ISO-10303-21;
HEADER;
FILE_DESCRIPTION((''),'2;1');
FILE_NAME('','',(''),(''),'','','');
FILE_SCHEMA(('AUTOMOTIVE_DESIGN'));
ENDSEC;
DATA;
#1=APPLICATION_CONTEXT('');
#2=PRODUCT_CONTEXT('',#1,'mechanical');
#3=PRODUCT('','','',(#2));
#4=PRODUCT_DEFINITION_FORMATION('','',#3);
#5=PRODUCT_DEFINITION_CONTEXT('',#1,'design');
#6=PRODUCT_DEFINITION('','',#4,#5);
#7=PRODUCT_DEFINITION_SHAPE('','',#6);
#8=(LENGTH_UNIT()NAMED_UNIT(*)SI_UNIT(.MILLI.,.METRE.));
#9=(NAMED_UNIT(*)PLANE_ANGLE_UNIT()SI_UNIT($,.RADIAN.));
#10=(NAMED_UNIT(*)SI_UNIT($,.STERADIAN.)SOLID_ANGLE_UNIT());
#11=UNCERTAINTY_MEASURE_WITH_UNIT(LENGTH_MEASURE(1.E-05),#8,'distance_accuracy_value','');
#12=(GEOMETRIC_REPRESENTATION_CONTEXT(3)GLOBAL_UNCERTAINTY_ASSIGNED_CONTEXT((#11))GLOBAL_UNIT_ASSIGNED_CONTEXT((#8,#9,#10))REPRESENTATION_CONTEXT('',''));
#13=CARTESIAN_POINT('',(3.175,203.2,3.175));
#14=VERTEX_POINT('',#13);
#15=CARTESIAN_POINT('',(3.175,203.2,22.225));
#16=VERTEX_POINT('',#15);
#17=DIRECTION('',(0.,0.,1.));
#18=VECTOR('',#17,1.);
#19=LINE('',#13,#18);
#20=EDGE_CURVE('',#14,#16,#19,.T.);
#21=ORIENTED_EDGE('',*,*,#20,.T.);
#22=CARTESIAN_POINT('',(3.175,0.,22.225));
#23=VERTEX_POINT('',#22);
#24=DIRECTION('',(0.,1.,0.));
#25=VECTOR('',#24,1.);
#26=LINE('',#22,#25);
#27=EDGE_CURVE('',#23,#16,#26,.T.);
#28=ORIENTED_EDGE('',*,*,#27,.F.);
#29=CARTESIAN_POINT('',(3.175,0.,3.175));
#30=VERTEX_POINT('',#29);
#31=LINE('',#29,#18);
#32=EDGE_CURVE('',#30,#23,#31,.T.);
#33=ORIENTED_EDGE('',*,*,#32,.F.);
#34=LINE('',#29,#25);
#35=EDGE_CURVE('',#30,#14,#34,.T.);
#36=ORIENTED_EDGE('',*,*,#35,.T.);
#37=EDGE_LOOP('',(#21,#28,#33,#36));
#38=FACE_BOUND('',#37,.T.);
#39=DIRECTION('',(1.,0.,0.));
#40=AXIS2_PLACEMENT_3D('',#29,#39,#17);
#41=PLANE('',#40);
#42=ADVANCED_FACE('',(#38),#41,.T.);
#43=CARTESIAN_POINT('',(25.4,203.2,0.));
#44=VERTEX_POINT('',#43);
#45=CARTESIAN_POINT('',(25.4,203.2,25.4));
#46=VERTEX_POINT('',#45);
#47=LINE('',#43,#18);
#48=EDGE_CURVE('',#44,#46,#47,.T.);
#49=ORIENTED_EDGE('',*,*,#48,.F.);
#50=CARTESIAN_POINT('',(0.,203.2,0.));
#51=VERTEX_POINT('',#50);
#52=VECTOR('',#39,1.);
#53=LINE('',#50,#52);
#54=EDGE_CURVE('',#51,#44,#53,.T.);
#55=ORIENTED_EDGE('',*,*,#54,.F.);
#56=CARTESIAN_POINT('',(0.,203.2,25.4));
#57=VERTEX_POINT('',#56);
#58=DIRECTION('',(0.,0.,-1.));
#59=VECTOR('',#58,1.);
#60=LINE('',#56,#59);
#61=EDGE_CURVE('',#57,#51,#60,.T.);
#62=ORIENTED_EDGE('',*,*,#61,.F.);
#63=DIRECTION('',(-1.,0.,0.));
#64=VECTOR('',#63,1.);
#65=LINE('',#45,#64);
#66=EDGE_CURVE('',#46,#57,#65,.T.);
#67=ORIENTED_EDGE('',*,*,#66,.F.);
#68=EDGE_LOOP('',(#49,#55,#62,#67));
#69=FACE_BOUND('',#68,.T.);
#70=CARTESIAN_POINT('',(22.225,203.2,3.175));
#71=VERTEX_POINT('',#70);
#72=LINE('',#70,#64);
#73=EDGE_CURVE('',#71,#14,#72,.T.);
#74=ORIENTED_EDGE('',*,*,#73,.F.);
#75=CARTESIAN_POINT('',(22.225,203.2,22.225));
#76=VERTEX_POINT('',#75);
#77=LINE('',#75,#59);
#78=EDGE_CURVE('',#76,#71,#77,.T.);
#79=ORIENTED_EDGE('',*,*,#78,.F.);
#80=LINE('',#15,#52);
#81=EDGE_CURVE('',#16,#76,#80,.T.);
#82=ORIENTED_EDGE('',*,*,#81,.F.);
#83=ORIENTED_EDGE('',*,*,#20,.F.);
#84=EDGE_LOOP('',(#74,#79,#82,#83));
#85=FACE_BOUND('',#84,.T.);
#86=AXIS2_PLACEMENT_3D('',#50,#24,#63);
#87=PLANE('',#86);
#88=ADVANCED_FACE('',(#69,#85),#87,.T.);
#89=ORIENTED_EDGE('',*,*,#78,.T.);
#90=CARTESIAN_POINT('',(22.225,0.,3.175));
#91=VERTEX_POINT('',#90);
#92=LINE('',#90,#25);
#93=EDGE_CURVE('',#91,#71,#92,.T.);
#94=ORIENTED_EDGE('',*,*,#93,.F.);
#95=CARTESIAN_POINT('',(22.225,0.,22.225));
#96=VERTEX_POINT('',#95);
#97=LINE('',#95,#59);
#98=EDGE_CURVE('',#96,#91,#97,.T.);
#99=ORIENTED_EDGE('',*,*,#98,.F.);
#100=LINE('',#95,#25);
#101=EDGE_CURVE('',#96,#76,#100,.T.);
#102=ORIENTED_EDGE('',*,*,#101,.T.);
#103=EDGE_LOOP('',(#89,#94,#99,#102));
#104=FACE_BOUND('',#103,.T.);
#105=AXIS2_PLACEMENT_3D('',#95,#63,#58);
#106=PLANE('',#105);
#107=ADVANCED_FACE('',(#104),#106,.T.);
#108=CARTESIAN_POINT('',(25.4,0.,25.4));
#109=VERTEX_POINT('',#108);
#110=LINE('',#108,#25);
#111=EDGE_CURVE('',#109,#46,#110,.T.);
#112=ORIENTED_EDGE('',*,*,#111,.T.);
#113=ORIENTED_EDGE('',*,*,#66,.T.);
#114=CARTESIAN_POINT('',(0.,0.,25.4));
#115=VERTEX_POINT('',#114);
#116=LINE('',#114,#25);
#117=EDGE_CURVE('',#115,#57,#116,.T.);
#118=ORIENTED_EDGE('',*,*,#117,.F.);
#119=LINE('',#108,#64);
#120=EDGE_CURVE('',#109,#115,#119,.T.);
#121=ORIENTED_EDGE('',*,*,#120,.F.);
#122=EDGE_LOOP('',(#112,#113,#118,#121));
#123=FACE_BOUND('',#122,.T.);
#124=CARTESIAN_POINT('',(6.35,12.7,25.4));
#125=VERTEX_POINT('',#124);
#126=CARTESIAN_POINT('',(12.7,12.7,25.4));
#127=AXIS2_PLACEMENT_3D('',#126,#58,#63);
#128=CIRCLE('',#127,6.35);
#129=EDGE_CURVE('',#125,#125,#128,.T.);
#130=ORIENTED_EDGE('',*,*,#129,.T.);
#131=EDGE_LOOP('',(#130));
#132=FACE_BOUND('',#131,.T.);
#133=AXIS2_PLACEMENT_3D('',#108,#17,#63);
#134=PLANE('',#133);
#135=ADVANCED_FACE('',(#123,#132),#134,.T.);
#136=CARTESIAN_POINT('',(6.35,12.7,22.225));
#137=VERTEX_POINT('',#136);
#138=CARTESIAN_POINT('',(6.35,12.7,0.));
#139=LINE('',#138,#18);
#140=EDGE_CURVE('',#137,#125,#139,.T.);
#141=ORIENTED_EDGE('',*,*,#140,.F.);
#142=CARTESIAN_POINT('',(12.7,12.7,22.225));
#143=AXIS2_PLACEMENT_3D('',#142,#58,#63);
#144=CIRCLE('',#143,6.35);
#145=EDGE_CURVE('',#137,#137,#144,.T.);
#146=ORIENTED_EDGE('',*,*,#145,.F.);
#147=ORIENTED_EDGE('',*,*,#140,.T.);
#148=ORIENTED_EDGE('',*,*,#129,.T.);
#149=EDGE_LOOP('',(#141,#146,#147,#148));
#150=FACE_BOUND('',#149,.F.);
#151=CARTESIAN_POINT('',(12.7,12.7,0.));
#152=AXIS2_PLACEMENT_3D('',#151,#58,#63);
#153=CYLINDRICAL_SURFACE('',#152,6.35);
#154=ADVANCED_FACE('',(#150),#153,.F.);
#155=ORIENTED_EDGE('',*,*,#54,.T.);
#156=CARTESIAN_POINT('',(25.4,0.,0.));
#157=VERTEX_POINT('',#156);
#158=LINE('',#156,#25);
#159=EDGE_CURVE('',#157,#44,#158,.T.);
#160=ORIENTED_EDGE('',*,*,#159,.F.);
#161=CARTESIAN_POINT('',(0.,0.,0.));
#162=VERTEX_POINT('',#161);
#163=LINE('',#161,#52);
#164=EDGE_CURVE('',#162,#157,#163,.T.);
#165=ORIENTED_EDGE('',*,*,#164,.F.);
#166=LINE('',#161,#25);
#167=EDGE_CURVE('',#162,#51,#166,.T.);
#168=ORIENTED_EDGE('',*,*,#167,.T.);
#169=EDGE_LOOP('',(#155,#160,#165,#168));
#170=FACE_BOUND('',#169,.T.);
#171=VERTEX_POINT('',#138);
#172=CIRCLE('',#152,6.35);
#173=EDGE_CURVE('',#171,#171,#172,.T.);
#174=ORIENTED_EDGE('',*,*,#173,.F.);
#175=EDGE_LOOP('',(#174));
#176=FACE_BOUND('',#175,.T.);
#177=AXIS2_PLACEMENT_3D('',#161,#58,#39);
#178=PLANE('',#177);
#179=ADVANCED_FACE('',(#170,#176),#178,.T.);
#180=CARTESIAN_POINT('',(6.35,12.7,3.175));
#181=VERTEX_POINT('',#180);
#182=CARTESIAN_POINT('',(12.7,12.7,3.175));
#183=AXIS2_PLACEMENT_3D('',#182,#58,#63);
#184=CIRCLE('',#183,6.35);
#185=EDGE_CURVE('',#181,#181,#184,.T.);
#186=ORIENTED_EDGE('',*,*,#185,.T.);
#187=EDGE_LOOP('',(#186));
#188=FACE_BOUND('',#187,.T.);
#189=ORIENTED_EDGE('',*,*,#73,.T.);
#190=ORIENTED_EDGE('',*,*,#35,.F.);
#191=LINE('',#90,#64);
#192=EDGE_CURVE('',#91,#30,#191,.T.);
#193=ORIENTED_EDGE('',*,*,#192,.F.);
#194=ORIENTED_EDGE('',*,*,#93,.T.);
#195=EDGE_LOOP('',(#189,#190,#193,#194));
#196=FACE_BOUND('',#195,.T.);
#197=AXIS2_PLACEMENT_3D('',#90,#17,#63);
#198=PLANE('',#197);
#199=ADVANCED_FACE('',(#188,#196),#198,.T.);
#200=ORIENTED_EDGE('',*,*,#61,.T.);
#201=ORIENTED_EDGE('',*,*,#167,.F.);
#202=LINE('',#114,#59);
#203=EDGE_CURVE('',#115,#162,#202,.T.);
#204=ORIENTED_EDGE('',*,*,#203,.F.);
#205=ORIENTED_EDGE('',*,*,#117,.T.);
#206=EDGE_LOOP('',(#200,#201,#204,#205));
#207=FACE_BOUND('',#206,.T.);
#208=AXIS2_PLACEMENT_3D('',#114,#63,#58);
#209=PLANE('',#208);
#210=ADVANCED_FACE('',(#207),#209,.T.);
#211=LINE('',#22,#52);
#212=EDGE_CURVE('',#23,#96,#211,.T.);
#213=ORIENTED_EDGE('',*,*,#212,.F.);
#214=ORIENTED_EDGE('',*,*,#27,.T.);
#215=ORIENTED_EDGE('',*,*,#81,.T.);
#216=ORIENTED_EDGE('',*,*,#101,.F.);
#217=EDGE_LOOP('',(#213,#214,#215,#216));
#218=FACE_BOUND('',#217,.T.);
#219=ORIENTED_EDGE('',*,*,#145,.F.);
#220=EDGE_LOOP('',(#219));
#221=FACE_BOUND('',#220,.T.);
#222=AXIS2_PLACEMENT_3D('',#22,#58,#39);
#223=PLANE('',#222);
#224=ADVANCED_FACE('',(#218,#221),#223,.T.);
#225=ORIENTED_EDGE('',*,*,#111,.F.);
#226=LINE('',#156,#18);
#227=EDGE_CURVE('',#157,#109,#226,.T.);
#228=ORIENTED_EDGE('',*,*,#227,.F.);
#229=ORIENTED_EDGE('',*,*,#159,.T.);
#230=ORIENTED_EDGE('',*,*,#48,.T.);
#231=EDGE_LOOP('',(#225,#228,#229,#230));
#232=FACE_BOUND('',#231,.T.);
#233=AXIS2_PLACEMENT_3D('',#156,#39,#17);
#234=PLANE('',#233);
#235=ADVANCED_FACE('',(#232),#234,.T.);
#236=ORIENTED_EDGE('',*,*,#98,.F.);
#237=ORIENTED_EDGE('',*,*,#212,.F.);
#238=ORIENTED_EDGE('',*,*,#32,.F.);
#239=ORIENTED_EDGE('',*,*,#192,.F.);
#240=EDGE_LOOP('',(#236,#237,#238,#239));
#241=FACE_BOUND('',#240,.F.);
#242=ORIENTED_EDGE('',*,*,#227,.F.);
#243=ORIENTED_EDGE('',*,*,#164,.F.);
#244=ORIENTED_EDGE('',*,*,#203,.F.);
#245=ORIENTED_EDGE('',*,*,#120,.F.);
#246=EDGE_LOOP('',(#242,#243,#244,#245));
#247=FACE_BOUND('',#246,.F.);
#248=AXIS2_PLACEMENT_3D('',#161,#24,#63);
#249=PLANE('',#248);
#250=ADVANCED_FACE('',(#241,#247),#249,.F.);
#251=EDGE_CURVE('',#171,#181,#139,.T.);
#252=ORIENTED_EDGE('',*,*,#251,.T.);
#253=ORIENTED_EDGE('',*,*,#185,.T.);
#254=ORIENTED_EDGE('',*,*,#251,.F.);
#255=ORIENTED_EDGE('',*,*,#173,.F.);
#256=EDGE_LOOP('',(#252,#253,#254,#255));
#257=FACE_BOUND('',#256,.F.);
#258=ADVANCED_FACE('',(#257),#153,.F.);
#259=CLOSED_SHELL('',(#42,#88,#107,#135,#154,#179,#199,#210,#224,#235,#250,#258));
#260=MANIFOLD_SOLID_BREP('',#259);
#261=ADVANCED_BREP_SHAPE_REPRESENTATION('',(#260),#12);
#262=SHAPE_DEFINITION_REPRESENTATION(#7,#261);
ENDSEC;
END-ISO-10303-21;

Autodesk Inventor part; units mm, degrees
ref_plane "YZ Plane" through (0, 0, 0) normal (1, 0, 0) x (0, 1, 0)
ref_plane "XZ Plane" through (0, 0, 0) normal (0, 1, 0) x (-1, 0, 0)
ref_plane "XY Plane" through (0, 0, 0) normal (0, 0, 1) x (1, 0, 0)
sketch "Sketch1" plane through (0, 0, 0) normal (0, 1, 0) x (-1, 0, 0)
  line L0 (0, 0) -> (-25.4, 0)
  line L1 (-25.4, 0) -> (-25.4, 25.4)
  line L2 (-25.4, 25.4) -> (0, 25.4)
  line L3 (0, 25.4) -> (0, 0)
  line L4 (-3.175, 22.225) -> (-22.225, 22.225)
  line L5 (-22.225, 22.225) -> (-22.225, 3.175)
  line L6 (-22.225, 3.175) -> (-3.175, 3.175)
  line L7 (-3.175, 3.175) -> (-3.175, 22.225)
  dimension "d0" = 25.4
  dimension "d1" = 25.4
  dimension "d2" = 3.175
extrude "Extrusion1" add sketch "Sketch1" along normal blind 203.2
sketch "Sketch2" plane through (25.4, 0, 0) normal (0, 0, -1) x (-1, 0, 0)
  circle A0 centre (12.7, 12.7) radius 6.35
  line L0 (25.4, 0) -> (0, 0) projected
  line L1 (0, 0) -> (0, 203.2) projected
  dimension "d5" = 12.7
  dimension "d6" = 12.7
  dimension "d7" = 12.7
extrude "Extrusion2" cut sketch "Sketch2" against normal blind 25.4
properties part number "hool"
